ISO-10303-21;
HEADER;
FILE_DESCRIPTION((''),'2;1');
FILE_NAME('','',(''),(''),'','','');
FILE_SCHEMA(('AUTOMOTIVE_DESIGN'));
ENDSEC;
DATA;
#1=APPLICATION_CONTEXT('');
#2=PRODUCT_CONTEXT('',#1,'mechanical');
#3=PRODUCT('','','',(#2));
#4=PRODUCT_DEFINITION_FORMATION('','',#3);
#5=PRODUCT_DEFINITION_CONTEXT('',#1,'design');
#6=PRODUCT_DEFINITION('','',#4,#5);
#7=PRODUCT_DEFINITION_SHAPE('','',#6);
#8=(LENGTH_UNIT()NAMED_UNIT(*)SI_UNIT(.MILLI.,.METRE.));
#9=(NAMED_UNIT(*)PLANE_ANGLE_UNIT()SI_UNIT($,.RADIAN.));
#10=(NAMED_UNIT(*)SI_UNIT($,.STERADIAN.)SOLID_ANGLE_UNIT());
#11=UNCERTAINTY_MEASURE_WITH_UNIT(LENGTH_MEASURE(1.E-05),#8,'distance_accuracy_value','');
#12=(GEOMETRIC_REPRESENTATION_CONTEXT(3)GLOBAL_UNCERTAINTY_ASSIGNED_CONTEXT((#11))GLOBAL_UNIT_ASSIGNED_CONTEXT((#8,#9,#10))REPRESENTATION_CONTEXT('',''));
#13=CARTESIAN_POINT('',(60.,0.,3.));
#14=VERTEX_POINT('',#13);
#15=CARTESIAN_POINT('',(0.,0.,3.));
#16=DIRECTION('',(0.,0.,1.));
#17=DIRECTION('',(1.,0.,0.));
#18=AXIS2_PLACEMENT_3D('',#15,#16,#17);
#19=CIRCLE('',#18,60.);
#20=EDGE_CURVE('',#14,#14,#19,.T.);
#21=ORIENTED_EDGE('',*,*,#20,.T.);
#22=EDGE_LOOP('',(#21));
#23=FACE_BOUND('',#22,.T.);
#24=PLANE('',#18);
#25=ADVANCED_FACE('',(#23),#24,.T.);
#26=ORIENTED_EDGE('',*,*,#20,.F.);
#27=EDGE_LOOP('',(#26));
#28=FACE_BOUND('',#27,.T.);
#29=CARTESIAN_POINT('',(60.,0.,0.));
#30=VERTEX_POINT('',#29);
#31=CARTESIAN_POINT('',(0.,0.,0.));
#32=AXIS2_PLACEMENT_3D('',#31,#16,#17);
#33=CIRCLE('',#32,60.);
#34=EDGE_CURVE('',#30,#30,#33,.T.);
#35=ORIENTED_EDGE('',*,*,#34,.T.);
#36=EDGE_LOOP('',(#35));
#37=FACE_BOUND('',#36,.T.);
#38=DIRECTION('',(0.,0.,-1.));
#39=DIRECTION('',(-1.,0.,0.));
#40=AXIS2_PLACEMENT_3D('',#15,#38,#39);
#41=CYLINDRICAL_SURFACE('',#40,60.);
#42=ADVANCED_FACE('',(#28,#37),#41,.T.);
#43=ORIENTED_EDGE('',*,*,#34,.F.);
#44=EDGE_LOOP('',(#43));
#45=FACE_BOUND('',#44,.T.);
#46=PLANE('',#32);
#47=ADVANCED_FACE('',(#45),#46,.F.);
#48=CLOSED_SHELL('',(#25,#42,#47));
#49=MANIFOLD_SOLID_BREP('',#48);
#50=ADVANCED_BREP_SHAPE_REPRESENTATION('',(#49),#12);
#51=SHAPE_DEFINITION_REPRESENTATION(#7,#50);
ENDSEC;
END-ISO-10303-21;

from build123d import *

# Parameters (mm, degrees)
SKETCH1_R           = 60
BOSS_EXTRUDE1_DEPTH = 3


with BuildPart() as part:
    # Sketch1 → Boss-Extrude1 (new body)
    with BuildSketch(Plane.XY):
        Circle(SKETCH1_R)
    extrude(amount=BOSS_EXTRUDE1_DEPTH)


solid = part.part
